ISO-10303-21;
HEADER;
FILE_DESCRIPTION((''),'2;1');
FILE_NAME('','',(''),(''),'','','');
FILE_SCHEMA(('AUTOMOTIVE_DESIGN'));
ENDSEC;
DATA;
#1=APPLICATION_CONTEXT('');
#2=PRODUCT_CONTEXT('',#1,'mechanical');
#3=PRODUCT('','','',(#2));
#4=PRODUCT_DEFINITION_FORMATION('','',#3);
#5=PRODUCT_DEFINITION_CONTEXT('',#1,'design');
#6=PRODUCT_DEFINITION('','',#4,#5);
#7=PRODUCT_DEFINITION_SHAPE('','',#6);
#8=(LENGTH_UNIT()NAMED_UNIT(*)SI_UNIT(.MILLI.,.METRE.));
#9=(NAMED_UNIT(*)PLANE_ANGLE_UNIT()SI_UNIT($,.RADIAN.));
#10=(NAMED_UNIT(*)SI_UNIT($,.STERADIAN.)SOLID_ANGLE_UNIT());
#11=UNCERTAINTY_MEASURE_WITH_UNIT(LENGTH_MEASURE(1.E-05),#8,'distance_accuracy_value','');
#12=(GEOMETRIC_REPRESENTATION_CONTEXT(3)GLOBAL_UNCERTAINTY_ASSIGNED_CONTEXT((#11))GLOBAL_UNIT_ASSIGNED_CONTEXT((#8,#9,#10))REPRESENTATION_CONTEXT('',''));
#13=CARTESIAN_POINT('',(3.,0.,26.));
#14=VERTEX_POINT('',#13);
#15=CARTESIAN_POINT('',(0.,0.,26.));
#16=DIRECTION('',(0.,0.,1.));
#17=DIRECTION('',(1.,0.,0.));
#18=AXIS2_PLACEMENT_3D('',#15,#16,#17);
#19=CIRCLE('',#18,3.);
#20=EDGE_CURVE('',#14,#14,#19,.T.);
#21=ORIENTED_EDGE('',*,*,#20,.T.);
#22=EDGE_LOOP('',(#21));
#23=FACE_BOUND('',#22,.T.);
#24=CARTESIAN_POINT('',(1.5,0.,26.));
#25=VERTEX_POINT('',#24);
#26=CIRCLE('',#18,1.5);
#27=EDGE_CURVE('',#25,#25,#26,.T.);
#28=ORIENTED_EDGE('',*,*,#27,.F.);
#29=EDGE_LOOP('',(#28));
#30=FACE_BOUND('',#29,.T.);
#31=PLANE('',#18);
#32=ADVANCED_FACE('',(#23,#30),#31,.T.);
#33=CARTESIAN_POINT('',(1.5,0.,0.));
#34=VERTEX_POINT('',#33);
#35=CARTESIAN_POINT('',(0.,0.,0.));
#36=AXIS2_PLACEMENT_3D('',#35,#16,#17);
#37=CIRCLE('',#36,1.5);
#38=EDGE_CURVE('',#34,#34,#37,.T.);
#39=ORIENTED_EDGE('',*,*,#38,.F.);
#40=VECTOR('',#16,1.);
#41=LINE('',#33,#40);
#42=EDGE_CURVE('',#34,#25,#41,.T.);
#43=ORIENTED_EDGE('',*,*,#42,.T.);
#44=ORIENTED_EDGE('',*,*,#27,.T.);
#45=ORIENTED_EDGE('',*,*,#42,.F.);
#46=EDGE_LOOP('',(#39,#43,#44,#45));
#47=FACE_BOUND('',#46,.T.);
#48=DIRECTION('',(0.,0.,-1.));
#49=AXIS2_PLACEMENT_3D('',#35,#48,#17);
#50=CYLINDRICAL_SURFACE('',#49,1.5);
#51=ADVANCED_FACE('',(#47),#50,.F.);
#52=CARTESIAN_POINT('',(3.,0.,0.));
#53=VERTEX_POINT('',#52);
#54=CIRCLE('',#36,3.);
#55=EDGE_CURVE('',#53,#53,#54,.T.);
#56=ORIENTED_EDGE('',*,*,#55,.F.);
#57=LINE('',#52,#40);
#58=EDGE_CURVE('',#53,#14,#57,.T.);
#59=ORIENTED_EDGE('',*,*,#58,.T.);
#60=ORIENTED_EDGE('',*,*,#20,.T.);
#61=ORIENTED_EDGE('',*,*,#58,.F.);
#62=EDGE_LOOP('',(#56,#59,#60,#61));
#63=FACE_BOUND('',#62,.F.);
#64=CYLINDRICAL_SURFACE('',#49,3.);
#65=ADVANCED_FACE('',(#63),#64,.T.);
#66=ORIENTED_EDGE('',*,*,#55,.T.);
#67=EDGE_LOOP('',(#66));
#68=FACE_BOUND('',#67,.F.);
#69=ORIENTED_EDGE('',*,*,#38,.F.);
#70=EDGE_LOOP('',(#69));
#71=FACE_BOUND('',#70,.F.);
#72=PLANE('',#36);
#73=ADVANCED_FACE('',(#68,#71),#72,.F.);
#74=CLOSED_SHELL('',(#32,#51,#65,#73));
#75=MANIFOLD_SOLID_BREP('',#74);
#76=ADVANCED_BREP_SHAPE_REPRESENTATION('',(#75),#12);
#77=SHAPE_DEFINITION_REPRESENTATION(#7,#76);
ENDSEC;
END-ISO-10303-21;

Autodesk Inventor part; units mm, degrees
ref_plane "YZ Plane" through (0, 0, 0) normal (1, 0, 0) x (0, 1, 0)
ref_plane "XZ Plane" through (0, 0, 0) normal (0, 1, 0) x (-1, 0, 0)
ref_plane "XY Plane" through (0, 0, 0) normal (0, 0, 1) x (1, 0, 0)
sketch "スケッチ1" plane through (0, 0, 0) normal (0, 0, 1) x (1, 0, 0)
  circle A0 centre (0, 0) radius 3
  circle A1 centre (0, 0) radius 1.5
  dimension "d0" = 6
  dimension "d1" = 3
extrude "押し出し1" add sketch "スケッチ1" along normal blind 26
properties part number "スペーサーm3-26　簡易筒型" material "アルミニウム 2014-T4"
